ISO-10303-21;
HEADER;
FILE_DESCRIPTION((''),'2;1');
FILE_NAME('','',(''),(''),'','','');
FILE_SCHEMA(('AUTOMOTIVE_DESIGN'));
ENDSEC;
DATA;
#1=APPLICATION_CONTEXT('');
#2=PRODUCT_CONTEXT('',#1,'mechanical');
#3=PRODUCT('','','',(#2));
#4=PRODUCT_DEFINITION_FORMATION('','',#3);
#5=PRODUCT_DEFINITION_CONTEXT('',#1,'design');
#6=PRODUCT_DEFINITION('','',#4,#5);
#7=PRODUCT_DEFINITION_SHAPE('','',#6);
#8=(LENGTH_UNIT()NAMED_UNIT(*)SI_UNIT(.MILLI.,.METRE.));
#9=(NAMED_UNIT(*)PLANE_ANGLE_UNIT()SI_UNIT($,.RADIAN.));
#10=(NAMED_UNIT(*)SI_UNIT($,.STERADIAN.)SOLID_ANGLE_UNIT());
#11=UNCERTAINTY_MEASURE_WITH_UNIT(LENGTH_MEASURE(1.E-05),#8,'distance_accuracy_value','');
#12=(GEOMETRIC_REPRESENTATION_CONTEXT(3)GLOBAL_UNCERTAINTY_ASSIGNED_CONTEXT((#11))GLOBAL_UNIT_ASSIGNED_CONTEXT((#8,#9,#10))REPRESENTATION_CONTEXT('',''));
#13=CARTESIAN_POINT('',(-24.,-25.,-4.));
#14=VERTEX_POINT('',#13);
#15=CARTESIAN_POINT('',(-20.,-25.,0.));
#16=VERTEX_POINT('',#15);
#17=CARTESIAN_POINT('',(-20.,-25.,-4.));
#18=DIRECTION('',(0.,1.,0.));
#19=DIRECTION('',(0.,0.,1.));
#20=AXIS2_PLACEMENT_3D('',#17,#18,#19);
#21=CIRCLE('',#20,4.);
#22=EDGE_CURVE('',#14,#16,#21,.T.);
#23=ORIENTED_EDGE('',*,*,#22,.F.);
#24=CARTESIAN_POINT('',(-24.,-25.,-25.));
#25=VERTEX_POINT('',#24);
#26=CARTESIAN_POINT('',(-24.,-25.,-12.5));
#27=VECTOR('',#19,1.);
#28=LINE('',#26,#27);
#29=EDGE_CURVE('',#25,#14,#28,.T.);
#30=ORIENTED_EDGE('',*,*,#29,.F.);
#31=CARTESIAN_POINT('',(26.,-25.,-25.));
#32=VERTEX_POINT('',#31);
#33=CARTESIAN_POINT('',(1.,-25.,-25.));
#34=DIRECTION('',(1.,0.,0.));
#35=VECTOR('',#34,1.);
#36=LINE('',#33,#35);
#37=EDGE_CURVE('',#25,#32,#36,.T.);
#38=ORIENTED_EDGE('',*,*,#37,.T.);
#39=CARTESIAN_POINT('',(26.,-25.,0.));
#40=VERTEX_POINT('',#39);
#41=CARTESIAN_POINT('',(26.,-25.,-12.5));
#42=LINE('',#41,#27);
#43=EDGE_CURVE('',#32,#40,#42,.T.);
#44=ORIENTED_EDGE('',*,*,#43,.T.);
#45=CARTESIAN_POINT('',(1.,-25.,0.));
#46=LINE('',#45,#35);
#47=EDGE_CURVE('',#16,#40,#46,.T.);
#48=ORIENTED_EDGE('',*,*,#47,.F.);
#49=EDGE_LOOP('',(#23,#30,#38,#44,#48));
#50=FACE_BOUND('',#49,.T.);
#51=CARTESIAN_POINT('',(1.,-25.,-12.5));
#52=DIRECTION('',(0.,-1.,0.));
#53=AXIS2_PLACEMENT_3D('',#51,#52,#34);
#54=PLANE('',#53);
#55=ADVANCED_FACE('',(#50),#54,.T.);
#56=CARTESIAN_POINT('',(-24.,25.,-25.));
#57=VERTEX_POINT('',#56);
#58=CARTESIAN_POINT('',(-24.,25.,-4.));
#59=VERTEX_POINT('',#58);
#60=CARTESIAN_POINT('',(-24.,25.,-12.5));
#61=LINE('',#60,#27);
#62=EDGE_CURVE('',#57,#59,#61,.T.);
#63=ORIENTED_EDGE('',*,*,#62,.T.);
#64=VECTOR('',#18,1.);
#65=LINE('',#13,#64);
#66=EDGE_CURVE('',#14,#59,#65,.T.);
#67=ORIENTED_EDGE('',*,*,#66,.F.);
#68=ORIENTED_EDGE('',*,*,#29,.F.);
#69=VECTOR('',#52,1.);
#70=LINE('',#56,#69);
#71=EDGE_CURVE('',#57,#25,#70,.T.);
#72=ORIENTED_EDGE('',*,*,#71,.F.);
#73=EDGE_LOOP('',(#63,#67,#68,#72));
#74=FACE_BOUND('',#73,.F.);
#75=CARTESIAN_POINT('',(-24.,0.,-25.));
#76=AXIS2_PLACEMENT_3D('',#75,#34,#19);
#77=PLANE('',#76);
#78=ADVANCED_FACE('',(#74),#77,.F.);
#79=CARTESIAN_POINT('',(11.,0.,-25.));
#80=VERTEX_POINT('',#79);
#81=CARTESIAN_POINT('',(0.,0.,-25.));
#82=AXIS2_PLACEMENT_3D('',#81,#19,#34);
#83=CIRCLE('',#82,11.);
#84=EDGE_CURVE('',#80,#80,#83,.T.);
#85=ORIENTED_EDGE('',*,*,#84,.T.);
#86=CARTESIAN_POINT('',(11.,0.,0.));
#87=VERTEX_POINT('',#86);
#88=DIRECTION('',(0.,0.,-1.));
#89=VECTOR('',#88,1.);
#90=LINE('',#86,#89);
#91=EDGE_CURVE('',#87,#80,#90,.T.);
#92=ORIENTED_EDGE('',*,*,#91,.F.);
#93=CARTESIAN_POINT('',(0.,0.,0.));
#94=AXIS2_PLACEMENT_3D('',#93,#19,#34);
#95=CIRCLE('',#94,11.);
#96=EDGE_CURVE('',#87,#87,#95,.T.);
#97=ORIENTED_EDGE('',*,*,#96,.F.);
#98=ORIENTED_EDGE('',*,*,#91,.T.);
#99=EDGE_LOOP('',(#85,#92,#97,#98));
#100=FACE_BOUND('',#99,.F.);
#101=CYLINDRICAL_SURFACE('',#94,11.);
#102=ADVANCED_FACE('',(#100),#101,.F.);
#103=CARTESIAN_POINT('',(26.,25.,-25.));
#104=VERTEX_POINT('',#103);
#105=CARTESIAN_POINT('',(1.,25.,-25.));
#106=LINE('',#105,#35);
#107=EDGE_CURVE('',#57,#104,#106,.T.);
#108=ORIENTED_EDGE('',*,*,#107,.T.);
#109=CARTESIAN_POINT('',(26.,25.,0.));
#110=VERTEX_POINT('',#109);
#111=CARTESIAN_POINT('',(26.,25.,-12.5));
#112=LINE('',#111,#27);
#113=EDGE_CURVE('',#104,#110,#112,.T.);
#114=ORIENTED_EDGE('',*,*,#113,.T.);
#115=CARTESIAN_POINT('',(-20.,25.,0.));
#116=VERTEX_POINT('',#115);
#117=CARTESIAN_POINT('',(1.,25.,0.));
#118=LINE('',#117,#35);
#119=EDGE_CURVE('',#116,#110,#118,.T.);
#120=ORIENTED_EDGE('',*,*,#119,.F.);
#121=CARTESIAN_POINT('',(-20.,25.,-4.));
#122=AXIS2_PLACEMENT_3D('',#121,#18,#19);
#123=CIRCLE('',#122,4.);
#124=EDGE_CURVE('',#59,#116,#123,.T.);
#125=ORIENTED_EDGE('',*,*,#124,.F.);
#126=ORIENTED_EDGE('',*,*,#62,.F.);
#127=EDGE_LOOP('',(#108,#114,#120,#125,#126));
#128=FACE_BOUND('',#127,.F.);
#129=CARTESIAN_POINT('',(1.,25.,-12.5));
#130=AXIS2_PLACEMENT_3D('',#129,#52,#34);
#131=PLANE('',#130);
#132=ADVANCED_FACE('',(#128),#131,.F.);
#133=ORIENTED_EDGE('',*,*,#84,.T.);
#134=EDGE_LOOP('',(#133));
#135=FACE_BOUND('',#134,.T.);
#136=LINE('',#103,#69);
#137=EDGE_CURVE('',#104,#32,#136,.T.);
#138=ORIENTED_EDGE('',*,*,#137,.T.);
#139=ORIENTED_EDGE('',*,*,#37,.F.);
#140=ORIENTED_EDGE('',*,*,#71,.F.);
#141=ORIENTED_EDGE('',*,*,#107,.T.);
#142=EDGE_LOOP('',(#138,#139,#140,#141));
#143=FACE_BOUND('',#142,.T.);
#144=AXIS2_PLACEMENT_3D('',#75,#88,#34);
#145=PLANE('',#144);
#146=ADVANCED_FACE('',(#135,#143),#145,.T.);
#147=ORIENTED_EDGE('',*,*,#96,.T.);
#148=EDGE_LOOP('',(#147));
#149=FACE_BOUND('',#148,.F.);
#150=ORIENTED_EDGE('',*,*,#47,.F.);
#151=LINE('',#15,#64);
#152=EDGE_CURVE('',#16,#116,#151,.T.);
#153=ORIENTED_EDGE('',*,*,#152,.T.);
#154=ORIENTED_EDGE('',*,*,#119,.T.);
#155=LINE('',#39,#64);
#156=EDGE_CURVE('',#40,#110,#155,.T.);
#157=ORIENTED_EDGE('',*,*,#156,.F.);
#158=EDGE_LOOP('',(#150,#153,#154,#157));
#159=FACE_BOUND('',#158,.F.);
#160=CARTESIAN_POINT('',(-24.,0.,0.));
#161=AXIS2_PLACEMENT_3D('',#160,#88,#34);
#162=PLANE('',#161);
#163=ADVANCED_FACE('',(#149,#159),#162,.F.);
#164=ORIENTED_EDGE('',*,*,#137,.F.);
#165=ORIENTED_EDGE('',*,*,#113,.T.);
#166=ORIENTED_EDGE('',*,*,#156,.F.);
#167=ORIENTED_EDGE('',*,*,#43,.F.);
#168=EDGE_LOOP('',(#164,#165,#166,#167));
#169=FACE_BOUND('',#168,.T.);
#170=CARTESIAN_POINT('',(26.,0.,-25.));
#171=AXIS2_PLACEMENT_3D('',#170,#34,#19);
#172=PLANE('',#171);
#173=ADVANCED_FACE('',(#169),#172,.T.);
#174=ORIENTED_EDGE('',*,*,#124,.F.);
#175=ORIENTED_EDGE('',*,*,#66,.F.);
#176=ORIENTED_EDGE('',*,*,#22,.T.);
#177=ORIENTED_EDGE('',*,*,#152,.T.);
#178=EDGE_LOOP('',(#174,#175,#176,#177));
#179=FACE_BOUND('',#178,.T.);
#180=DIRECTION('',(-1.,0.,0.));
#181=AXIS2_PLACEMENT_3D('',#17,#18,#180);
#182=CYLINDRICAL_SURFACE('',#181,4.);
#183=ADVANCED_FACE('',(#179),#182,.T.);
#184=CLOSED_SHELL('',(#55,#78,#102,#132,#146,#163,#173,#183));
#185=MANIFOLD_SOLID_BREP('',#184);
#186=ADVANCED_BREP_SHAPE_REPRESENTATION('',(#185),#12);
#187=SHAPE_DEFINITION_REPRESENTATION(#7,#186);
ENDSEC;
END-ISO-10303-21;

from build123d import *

# Parameters (mm, degrees)
F0_W     = 50
F0_H     = 25
F1_DEPTH = 25
F2_R     = 4
F3_R     = 11
F4_DEPTH = 25.001


with BuildPart() as f1:
    # F0 (on Front) → F1 (new body, symmetric)
    with BuildSketch(Plane.XZ):
        with Locations((1, -12.5)):
            Rectangle(F0_W, F0_H)
    extrude(amount=F1_DEPTH, both=True)

    # F2
    f2_edges = [f1.edges().sort_by_distance(p)[0] for p in [
        (-24, 0, 0),
    ]]
    fillet(f2_edges, radius=F2_R)

    # F3 (on face) → F4 (cut, through all)
    with BuildSketch(Plane.XY):
        Circle(F3_R)
    extrude(amount=-F4_DEPTH, mode=Mode.SUBTRACT)


solid = f1.part
